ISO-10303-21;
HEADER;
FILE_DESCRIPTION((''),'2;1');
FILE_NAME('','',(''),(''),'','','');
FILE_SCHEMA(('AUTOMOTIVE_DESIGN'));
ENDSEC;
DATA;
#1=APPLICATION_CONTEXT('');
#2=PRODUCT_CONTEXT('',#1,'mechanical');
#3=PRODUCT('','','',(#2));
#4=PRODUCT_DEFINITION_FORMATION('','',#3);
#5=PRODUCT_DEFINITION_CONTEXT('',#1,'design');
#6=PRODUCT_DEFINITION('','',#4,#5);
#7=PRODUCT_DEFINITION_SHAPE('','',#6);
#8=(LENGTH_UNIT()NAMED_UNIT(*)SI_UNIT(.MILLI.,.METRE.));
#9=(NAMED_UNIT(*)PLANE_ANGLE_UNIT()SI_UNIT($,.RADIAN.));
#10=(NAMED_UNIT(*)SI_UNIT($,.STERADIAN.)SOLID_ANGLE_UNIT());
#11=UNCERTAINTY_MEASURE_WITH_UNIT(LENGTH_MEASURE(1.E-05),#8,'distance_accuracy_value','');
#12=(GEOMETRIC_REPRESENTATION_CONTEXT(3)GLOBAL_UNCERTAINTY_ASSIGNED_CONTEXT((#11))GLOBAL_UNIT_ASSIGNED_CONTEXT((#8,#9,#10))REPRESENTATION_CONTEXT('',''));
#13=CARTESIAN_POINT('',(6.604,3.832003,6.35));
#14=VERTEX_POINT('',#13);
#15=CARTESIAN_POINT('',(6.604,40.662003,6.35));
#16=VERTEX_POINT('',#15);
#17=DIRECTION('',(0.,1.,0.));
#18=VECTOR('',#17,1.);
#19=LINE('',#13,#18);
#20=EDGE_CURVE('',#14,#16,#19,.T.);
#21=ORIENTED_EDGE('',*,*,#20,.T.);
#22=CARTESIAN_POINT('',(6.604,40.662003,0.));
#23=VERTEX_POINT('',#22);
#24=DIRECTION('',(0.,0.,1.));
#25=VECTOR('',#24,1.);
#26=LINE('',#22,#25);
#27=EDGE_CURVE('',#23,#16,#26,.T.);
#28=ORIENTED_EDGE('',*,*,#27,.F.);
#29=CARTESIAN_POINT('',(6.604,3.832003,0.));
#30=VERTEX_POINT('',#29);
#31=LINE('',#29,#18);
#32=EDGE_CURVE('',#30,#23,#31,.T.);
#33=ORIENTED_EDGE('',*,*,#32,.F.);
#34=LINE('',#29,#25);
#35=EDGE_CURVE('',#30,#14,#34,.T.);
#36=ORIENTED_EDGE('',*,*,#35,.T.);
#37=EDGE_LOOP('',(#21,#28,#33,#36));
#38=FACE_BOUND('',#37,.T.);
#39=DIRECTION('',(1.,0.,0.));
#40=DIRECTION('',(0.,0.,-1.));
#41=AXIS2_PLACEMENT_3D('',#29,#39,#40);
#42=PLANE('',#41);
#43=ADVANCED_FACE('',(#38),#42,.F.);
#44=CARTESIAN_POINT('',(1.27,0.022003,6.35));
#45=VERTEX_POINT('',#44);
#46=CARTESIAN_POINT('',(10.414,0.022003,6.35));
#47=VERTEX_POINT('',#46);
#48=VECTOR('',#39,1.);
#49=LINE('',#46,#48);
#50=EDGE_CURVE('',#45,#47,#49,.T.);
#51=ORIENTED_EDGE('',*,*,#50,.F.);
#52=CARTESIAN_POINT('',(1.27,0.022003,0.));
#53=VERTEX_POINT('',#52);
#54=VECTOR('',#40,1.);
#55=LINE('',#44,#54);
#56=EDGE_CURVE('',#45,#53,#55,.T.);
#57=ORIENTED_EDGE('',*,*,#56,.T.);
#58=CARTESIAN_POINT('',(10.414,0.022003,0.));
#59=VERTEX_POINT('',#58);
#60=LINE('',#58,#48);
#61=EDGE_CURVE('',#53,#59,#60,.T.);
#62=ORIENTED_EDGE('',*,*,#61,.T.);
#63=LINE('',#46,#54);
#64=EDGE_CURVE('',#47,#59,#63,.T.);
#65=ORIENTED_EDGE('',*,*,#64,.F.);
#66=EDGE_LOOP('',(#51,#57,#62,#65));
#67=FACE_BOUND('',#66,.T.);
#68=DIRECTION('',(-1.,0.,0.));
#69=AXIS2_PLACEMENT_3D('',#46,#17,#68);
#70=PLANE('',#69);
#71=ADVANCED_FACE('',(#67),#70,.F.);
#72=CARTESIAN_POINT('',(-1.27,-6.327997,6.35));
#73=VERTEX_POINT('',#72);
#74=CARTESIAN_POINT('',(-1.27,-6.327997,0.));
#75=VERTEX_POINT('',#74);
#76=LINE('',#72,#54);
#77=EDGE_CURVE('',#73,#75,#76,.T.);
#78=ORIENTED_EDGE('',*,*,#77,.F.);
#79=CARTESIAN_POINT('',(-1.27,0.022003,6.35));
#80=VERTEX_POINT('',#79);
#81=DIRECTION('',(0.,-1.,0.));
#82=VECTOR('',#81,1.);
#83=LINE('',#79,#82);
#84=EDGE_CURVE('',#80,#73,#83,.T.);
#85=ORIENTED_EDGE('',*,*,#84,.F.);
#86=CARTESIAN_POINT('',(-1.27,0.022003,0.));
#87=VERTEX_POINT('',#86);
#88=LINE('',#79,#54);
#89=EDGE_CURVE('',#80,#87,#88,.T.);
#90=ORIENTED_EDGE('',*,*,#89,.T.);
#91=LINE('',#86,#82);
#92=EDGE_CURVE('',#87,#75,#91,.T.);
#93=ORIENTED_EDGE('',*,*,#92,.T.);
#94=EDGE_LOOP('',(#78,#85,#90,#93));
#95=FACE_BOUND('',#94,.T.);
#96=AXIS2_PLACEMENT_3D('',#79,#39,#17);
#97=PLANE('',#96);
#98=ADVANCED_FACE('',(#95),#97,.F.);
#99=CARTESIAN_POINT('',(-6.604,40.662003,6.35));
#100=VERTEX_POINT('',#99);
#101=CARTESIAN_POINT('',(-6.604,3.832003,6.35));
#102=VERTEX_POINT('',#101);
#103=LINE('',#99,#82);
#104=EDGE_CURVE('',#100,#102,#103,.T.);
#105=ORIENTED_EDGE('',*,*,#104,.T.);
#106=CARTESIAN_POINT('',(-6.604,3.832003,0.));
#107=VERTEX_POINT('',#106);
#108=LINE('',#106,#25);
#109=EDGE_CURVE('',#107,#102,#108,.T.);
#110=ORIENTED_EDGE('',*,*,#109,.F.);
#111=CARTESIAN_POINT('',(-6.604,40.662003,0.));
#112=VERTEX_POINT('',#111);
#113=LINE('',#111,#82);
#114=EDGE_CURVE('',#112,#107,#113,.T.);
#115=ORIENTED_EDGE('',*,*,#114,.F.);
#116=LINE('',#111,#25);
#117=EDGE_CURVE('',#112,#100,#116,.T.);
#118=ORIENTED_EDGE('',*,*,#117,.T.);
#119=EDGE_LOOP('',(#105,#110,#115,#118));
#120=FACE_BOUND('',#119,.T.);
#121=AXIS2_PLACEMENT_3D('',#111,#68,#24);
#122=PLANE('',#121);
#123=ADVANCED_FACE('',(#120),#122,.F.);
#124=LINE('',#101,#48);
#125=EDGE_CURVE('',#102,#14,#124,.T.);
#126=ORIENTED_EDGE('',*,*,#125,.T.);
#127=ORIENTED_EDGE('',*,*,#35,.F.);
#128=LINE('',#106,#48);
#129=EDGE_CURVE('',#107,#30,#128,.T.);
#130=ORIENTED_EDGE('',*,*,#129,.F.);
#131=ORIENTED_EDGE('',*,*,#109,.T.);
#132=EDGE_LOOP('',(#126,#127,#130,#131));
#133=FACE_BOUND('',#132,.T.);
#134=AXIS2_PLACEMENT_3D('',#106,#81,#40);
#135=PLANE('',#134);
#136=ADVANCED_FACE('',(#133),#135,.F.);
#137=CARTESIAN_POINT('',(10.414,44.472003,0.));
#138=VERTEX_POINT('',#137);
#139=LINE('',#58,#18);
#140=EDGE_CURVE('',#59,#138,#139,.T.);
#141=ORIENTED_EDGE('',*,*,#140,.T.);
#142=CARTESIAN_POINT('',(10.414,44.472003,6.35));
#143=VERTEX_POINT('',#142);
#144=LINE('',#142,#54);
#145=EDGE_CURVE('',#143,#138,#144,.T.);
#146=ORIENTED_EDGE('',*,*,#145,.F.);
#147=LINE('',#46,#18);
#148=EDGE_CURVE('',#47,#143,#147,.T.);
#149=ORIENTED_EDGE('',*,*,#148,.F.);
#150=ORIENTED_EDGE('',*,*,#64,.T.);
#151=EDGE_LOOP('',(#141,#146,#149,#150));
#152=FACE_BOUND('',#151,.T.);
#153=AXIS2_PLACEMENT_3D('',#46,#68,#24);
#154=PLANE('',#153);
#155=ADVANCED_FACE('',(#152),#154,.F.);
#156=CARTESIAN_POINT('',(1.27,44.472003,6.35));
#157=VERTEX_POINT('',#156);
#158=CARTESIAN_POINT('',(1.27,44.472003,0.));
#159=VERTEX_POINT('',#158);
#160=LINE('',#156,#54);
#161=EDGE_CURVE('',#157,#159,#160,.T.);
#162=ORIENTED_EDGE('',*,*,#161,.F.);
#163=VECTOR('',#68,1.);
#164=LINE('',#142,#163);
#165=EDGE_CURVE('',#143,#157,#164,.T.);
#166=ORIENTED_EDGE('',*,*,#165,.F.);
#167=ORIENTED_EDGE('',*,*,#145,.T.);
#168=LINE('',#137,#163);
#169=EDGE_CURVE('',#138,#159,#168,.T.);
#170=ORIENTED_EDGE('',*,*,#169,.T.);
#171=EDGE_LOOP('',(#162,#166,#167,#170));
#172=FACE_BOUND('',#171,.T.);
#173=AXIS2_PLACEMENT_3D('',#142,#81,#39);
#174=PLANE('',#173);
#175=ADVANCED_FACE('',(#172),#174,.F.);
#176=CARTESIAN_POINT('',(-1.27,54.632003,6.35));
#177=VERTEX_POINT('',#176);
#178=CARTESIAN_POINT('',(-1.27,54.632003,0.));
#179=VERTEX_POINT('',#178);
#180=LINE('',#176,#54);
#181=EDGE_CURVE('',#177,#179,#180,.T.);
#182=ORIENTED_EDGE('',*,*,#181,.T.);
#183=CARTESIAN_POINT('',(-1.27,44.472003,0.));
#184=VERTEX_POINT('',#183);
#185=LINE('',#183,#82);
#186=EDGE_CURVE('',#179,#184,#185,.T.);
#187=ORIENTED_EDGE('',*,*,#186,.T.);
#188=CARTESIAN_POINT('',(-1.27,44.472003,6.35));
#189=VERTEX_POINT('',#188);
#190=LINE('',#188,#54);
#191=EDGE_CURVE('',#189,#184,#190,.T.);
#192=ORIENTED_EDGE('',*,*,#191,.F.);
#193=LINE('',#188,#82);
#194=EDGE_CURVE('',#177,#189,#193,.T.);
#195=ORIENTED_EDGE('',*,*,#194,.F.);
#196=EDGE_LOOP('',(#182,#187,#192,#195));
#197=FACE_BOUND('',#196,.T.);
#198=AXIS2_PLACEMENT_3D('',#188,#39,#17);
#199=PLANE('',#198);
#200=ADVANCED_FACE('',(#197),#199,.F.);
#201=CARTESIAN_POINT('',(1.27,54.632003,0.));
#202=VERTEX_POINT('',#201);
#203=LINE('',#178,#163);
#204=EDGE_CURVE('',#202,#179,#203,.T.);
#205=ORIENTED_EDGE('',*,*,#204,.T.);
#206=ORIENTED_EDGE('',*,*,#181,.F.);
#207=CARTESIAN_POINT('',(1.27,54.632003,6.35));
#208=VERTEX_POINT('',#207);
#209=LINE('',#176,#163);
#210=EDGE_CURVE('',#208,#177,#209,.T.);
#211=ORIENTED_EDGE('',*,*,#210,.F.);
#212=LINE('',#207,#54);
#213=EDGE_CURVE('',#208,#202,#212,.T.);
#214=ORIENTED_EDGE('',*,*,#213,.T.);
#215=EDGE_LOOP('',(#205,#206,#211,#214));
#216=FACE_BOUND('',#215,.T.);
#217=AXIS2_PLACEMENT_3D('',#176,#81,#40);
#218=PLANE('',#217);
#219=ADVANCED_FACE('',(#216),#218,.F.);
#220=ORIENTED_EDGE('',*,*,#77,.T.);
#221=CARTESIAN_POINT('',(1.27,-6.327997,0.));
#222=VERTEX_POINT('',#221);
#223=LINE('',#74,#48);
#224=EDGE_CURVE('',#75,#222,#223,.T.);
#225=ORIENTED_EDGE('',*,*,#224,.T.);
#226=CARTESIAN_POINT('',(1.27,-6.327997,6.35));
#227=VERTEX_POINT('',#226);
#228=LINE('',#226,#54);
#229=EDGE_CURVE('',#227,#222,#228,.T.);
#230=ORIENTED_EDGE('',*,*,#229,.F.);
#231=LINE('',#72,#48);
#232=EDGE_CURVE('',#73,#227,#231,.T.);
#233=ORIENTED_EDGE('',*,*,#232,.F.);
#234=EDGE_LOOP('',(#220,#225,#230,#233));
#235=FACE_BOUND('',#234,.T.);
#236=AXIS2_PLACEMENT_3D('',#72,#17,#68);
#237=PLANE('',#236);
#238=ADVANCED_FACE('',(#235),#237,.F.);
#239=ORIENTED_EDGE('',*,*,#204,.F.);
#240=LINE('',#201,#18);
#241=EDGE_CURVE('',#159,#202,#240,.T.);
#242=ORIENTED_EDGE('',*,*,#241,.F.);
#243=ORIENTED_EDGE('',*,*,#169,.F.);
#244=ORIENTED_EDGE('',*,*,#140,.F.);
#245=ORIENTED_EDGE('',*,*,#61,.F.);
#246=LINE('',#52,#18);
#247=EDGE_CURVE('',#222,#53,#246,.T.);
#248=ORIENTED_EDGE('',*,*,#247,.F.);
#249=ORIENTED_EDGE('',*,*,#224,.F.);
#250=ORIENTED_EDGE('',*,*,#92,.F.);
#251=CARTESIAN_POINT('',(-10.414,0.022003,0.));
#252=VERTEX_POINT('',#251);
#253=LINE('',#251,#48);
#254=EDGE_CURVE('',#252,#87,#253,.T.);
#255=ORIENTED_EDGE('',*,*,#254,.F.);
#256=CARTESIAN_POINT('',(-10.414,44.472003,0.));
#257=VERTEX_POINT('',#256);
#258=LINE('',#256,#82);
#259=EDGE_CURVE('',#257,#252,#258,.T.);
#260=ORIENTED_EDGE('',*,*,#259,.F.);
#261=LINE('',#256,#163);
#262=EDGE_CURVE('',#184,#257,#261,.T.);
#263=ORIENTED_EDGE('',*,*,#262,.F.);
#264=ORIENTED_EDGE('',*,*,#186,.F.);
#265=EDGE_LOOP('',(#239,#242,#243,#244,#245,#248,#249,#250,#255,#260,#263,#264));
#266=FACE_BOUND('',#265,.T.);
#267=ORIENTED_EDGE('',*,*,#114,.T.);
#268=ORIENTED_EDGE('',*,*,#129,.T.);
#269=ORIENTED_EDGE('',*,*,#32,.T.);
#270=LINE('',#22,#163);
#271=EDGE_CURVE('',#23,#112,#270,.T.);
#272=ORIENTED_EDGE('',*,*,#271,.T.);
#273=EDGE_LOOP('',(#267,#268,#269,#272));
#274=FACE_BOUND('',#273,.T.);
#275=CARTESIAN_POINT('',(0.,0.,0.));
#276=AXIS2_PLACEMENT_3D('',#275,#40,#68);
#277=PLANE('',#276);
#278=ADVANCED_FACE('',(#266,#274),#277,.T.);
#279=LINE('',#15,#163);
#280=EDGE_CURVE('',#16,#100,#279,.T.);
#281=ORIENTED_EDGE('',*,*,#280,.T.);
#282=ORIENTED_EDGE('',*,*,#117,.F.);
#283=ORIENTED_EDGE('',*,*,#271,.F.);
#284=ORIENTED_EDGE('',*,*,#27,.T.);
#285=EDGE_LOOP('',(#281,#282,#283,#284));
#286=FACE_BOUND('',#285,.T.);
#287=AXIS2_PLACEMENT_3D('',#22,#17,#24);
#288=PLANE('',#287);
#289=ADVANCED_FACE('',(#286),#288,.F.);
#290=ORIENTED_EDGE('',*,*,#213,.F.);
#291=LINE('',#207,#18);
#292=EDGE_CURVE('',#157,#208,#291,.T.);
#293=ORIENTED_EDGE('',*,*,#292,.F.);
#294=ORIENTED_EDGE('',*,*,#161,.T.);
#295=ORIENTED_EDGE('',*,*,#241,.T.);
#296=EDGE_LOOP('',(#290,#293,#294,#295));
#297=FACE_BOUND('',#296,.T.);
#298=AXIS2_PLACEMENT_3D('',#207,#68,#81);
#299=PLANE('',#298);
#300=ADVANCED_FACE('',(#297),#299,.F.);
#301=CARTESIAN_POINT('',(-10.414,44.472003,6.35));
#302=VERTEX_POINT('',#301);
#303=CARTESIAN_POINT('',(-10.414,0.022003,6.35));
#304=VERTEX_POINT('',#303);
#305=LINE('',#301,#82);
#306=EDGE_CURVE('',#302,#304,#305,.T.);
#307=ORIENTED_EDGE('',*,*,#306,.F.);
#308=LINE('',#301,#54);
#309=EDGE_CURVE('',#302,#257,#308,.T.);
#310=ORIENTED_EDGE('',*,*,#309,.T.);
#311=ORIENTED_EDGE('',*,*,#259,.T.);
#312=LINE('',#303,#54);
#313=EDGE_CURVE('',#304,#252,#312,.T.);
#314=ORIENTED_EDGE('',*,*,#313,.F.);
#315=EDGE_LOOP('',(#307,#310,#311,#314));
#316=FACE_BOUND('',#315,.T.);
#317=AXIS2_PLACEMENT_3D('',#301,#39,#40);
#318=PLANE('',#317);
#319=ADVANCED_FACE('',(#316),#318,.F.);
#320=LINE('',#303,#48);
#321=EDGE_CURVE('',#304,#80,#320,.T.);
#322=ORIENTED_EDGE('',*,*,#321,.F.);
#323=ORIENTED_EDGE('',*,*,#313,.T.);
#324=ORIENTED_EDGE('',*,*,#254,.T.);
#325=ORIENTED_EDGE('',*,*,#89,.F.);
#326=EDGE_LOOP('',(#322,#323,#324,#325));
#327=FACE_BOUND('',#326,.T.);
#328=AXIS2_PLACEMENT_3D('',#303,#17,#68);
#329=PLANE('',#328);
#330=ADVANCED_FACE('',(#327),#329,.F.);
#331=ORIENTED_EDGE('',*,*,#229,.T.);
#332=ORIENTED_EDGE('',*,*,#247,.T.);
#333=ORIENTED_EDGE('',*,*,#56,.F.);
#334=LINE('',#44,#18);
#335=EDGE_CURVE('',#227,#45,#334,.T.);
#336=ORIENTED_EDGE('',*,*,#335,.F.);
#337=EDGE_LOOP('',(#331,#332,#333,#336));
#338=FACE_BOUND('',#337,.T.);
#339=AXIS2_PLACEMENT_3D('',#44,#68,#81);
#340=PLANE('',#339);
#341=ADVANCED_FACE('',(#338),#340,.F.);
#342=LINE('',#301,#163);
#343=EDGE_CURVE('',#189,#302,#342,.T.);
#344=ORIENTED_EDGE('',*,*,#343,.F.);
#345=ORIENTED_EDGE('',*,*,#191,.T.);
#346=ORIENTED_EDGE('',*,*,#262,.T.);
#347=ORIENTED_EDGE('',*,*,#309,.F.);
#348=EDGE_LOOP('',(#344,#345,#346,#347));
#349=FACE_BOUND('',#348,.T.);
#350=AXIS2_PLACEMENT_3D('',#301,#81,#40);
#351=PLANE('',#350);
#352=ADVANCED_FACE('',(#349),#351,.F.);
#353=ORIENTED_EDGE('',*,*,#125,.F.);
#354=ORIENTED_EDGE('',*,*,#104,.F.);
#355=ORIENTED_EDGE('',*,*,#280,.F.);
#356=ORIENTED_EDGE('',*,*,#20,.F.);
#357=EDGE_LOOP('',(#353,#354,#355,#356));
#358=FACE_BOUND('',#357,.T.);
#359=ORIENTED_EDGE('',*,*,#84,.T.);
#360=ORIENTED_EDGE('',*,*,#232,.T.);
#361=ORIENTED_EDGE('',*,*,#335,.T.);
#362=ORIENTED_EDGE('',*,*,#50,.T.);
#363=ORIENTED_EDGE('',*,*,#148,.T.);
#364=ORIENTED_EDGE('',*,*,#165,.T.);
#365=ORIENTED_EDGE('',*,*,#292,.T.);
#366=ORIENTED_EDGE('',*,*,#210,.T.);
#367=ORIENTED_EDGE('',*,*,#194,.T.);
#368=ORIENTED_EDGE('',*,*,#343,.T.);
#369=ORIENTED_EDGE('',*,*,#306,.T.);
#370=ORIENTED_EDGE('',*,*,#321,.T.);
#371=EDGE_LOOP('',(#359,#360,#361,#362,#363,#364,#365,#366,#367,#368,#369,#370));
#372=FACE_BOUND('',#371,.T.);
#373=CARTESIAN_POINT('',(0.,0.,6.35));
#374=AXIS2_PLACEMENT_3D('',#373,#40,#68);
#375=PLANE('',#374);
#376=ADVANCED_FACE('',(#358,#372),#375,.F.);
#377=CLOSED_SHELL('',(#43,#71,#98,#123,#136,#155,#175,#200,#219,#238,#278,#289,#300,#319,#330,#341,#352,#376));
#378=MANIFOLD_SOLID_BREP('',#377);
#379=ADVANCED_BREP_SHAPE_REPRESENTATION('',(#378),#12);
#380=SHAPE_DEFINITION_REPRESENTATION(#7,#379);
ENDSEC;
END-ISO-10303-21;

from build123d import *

# Parameters (mm, degrees)
BOSS_EXTRUDE1_DEPTH = 6.35
SKETCH3_W           = 13.208
SKETCH3_H           = 36.83
CUT_EXTRUDE1_DEPTH  = 6.35


with BuildPart() as part:
    # Sketch1 → Boss-Extrude1 (new body)
    with BuildSketch(Plane.XY):
        Polygon((10.414, 0.022003094), (10.414, 44.472003094), (1.27, 44.472003094), (1.27, 54.632003094), (-1.27, 54.632003094), (-1.27, 44.472003094), (-10.414, 44.472003094), (-10.414, 0.022003094), (-1.27, 0.022003094), (-1.27, -6.327996906), (1.27, -6.327996906), (1.27, 0.022003094), align=None)
    extrude(amount=BOSS_EXTRUDE1_DEPTH)

    # Sketch3 → Cut-Extrude1 (cut)
    with BuildSketch(Plane.XY.offset(6.35)):
        with Locations((0, 22.247003094)):
            Rectangle(SKETCH3_W, SKETCH3_H)
    extrude(amount=-CUT_EXTRUDE1_DEPTH, mode=Mode.SUBTRACT)


solid = part.part
